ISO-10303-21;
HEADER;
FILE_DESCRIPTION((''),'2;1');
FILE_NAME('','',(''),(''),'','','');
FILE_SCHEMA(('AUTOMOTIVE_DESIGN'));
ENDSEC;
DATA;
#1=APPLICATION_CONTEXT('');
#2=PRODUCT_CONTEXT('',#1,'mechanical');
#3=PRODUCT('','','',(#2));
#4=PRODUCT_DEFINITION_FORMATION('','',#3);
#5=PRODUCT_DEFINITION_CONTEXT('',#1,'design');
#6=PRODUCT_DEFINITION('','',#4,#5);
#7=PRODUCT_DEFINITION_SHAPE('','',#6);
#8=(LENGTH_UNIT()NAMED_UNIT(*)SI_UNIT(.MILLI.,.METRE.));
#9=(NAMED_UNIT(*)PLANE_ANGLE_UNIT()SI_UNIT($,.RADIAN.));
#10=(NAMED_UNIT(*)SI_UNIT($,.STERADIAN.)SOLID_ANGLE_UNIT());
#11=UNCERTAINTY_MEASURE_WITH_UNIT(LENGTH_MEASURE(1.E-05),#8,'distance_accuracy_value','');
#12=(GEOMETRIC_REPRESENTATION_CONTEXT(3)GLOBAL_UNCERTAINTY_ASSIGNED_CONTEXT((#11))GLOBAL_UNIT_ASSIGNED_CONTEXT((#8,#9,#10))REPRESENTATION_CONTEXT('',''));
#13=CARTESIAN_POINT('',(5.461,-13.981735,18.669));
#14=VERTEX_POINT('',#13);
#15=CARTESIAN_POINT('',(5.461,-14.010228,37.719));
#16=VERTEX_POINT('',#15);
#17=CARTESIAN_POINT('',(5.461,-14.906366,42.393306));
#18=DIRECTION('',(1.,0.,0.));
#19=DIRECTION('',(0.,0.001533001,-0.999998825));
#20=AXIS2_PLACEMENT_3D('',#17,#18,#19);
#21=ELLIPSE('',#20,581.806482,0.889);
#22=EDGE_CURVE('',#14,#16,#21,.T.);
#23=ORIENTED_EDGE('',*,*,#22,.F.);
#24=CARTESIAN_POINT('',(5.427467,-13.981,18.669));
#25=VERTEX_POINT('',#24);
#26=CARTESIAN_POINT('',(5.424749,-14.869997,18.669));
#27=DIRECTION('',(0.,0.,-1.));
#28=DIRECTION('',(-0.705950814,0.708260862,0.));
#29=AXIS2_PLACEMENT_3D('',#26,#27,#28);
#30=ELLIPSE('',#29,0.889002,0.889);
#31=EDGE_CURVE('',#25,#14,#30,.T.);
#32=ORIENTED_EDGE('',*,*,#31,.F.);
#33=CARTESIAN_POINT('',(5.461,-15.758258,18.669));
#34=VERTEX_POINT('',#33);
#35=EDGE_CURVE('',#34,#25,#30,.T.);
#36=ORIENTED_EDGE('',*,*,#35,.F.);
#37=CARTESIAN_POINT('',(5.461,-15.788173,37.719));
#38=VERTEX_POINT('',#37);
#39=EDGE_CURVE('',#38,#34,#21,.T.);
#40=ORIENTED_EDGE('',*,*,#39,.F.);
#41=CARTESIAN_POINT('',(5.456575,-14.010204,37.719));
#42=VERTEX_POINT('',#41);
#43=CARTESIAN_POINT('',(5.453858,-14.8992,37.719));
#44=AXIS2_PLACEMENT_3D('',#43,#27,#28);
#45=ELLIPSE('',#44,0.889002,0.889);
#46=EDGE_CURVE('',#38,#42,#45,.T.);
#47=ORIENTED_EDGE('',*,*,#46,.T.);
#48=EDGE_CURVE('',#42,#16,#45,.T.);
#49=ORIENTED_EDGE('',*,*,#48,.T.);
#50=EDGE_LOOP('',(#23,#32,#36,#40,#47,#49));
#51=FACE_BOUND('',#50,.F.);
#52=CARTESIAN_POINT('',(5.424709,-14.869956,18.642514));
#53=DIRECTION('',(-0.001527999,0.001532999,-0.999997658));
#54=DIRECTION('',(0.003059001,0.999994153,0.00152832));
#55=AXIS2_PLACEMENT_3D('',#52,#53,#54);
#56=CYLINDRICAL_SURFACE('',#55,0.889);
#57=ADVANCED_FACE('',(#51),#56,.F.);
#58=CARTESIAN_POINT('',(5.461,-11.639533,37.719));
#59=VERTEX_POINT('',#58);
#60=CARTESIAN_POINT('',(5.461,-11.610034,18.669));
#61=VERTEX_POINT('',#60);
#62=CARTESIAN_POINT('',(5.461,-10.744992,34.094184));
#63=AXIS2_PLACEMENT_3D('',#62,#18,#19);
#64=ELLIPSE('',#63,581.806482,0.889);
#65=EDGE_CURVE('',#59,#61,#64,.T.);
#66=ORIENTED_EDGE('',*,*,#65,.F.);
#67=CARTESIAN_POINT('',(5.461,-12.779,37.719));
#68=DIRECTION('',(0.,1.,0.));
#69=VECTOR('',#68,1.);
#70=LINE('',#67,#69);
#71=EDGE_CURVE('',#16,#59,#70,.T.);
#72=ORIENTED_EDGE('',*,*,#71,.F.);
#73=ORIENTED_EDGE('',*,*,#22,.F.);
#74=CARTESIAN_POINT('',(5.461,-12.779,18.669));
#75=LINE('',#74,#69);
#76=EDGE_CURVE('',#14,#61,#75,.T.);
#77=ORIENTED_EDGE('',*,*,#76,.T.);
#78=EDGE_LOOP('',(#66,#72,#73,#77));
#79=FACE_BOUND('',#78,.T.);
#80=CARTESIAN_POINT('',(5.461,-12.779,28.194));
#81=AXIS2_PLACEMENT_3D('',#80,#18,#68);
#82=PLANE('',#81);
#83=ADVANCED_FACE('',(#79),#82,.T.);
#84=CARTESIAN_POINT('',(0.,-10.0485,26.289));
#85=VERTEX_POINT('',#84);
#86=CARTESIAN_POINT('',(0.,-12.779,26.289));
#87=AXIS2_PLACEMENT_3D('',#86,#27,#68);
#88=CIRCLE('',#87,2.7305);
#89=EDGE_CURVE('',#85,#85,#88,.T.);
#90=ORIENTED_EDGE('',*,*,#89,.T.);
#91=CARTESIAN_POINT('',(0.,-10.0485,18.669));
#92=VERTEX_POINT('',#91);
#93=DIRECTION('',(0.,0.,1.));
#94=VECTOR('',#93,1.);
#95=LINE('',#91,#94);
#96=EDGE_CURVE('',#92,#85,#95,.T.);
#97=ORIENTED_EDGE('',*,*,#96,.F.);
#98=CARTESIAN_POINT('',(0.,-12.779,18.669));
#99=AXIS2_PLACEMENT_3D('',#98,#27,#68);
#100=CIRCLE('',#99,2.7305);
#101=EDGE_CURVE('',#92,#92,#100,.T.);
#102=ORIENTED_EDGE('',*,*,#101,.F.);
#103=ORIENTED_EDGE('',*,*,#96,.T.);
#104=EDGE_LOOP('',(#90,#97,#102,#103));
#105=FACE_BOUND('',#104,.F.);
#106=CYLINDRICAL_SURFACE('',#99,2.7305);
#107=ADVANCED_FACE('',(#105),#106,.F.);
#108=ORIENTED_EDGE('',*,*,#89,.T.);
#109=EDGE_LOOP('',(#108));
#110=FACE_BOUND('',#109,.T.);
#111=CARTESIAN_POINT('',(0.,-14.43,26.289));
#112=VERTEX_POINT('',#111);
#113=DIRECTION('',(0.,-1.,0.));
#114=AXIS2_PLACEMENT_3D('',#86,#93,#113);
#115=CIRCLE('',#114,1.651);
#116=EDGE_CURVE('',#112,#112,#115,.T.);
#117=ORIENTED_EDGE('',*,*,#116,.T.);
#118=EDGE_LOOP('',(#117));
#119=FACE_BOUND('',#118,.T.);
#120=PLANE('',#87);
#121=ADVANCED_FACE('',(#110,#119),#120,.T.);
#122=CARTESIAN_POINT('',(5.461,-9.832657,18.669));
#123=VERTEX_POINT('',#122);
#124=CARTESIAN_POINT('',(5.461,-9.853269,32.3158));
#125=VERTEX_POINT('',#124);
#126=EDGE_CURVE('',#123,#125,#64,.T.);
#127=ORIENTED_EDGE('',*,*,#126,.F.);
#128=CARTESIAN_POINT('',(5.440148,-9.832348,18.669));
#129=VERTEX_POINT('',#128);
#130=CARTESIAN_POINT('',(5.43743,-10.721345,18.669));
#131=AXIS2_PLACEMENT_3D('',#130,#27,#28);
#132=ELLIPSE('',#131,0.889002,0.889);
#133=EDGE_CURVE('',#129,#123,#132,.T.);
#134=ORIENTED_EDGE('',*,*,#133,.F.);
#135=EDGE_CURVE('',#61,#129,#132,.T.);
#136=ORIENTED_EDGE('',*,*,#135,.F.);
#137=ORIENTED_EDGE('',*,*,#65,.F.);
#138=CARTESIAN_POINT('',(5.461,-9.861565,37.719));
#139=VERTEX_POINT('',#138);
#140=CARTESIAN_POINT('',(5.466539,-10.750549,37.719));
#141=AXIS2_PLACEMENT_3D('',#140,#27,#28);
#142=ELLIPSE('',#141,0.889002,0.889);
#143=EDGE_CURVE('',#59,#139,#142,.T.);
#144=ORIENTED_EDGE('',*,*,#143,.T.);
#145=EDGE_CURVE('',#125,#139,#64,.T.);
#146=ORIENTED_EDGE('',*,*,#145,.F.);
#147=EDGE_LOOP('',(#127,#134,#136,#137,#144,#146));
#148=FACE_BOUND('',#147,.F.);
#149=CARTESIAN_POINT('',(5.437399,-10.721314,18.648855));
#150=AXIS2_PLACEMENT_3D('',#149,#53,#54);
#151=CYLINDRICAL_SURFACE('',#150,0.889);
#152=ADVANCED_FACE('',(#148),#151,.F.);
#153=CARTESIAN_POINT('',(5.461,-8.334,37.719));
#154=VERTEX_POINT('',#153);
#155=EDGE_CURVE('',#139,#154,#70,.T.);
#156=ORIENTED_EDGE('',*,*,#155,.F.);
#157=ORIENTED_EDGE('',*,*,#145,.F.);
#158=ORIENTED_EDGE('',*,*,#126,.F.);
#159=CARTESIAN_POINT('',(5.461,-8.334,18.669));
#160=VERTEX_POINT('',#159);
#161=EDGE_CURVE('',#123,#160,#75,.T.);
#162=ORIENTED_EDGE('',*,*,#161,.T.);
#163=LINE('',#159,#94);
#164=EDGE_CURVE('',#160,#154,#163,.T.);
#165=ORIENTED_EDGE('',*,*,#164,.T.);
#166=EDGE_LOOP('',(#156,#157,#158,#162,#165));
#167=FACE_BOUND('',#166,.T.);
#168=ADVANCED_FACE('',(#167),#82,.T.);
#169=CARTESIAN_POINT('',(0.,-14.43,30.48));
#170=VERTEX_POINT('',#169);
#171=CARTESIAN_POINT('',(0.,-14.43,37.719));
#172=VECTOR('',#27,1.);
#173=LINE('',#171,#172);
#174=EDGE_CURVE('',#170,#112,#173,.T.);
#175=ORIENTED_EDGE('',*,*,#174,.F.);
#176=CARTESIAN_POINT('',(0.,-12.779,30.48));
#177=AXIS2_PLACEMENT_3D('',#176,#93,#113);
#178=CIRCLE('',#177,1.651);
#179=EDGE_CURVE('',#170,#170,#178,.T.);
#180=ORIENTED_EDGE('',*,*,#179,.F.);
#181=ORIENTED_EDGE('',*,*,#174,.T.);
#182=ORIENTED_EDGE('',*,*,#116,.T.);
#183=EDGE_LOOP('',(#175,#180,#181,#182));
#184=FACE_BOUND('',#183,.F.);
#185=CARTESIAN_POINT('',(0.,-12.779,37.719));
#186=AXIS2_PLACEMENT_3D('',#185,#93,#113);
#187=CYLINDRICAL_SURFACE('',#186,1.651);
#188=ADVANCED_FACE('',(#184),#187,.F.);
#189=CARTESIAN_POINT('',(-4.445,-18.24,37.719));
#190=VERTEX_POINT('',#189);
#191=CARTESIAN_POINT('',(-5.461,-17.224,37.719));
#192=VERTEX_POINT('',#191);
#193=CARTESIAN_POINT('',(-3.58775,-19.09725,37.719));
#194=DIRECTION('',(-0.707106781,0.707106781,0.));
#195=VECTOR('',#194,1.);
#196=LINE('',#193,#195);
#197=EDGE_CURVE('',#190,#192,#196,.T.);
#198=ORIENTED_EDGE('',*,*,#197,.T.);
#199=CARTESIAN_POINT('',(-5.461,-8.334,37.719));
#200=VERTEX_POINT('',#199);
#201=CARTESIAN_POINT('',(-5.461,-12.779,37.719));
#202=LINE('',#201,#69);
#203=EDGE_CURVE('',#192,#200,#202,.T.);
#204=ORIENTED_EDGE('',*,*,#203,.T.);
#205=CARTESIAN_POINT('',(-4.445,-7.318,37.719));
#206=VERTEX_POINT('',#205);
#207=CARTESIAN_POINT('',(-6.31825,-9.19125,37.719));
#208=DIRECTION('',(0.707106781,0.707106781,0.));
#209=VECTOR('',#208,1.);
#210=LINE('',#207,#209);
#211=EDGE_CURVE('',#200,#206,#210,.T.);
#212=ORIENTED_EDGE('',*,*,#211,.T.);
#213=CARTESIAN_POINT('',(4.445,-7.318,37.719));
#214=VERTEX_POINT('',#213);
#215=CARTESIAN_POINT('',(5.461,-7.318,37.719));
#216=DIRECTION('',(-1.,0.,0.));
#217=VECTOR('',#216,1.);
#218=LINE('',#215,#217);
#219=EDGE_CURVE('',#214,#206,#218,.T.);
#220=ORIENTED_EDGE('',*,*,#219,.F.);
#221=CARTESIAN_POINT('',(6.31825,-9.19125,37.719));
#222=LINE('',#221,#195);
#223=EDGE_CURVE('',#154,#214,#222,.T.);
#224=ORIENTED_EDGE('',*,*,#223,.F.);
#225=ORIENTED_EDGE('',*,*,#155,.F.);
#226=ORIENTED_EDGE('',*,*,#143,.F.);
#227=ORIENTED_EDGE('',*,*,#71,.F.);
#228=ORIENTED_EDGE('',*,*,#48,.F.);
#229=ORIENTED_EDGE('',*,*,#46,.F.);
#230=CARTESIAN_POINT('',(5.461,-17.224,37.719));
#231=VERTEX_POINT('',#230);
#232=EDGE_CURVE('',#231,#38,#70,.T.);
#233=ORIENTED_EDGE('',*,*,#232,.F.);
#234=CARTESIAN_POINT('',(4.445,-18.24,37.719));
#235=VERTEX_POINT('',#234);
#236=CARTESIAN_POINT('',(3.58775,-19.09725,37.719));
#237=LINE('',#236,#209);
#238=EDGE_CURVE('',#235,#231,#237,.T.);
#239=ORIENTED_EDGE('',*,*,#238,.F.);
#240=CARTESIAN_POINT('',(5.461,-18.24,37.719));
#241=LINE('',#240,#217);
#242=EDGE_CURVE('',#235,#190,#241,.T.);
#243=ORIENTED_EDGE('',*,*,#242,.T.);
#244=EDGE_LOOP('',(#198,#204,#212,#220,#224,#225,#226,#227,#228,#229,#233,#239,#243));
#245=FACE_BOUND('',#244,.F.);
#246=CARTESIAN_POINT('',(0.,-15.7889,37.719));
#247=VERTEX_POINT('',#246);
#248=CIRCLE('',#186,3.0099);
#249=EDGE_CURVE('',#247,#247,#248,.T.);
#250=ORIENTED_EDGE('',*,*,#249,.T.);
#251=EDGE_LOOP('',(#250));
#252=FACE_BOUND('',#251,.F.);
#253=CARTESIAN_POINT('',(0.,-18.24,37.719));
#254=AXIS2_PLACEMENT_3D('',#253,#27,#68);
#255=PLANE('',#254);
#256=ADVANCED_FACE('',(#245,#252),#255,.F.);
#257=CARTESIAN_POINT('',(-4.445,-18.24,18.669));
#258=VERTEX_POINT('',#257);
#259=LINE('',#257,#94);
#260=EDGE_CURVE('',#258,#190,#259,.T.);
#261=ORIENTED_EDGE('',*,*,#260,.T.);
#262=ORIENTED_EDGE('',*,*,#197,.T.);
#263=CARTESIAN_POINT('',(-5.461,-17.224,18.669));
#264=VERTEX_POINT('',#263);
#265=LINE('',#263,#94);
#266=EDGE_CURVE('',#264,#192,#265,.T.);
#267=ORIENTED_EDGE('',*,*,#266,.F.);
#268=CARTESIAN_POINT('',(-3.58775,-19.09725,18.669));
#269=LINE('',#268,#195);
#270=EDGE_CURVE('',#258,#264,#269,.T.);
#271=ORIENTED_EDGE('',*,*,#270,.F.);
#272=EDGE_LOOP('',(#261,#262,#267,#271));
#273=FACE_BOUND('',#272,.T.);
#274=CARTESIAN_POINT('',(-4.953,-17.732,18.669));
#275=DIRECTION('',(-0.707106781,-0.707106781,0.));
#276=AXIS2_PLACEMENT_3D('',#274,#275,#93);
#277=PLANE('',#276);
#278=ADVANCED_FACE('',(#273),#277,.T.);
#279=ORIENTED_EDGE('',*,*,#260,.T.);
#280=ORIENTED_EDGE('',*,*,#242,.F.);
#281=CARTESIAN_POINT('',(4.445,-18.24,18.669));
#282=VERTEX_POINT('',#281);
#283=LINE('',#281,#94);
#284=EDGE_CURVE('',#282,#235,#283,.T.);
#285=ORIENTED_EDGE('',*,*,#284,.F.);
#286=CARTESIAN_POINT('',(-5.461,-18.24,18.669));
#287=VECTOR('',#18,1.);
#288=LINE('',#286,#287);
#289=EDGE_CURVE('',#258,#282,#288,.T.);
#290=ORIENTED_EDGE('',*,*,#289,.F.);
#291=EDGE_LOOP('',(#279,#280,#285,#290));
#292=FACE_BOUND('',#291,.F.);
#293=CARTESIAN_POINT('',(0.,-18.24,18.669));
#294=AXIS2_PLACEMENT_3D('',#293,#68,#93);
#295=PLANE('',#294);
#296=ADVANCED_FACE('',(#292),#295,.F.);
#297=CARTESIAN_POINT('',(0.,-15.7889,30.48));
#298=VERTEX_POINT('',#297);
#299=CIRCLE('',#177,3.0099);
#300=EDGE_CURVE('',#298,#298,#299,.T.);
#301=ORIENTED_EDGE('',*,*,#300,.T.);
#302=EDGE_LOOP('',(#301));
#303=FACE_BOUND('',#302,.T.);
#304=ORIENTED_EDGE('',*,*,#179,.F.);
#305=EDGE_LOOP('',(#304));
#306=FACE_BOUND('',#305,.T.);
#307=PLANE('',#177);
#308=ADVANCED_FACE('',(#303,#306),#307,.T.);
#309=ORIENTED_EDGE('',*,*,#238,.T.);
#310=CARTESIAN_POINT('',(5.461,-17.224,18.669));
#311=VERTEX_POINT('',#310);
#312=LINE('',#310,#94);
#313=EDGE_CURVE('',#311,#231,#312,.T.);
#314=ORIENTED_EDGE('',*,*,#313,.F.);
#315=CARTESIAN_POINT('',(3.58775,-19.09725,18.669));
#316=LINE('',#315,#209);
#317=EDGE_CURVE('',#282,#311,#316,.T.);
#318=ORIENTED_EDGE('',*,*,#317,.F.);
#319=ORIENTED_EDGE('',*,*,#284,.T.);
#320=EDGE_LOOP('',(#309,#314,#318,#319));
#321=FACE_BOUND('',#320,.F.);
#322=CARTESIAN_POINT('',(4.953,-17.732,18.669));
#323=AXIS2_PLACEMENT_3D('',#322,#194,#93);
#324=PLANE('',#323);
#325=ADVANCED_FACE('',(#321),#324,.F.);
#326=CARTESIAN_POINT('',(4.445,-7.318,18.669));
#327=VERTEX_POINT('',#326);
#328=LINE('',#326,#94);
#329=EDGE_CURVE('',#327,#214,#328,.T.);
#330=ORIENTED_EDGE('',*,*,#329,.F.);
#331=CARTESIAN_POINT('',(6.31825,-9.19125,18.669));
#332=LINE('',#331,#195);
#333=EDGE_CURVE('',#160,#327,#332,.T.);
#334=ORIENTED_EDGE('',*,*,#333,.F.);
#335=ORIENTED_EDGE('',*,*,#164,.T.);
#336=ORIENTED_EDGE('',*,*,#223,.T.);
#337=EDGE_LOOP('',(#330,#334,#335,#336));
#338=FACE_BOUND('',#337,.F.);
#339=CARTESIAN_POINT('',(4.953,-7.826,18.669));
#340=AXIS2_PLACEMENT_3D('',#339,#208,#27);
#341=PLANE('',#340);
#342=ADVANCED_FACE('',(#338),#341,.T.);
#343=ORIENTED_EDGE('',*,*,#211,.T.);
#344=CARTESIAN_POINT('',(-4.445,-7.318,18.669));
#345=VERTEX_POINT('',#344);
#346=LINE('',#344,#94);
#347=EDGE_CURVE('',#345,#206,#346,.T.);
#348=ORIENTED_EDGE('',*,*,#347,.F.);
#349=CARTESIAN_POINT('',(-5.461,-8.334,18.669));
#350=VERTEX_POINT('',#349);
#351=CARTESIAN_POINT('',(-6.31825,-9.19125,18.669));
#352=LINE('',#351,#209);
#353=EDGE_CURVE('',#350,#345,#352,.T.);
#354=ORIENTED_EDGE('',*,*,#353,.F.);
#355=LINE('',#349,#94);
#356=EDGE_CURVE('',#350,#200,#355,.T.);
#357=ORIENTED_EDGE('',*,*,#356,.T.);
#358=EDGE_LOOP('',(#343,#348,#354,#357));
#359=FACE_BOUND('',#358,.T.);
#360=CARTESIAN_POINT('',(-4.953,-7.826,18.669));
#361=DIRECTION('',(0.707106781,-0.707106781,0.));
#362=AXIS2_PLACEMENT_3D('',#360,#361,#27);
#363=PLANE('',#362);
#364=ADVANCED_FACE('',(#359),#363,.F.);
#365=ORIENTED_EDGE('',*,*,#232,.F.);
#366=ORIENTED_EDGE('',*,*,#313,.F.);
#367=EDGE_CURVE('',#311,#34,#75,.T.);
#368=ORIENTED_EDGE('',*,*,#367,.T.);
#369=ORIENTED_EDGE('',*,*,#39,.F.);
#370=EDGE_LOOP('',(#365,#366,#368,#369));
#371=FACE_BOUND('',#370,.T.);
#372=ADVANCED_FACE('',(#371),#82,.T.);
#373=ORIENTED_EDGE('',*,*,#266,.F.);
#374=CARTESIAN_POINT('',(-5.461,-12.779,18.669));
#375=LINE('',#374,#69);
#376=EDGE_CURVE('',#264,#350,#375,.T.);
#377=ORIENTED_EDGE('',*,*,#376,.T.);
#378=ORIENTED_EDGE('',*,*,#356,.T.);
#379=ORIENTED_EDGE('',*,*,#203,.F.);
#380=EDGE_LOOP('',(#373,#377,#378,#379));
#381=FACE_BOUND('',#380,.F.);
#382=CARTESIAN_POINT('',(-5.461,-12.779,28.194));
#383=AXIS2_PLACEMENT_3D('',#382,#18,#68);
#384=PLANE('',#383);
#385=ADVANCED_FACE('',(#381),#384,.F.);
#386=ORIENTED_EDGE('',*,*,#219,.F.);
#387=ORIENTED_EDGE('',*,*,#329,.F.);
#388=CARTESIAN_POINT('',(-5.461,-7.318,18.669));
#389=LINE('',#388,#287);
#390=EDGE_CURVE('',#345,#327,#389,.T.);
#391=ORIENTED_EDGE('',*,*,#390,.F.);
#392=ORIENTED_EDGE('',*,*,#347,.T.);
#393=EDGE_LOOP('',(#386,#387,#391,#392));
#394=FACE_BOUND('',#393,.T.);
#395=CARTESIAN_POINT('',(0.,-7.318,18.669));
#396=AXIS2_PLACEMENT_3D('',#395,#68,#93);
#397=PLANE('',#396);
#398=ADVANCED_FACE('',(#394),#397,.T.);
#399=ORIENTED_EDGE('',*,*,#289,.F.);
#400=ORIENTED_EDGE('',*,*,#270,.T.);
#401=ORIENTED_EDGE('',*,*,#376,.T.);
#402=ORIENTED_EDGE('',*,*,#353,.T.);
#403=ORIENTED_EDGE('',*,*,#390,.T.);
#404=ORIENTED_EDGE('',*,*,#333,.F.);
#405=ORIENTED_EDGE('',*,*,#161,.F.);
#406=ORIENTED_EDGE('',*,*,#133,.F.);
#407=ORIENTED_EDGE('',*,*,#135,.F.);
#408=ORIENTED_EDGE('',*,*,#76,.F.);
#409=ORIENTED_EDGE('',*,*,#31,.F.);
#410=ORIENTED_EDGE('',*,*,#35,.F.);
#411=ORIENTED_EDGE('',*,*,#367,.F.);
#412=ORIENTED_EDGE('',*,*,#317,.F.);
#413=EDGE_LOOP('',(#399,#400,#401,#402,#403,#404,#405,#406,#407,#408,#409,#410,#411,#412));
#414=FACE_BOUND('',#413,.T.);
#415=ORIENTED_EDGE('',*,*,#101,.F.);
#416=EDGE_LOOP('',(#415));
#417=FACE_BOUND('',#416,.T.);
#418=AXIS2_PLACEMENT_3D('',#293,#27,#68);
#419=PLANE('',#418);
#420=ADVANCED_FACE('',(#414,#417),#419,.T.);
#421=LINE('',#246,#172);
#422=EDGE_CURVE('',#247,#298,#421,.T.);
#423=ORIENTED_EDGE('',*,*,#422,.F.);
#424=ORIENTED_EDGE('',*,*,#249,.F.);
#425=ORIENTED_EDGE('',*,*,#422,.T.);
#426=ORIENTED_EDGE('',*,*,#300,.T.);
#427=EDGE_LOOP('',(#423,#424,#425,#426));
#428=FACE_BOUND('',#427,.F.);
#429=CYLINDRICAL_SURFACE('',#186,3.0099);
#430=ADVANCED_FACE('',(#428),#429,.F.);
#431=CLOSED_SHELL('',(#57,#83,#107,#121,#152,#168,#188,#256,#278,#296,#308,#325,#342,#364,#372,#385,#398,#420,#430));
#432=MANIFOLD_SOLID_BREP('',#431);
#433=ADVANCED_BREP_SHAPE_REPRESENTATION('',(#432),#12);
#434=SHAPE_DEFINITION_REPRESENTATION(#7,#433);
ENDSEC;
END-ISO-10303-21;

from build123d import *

# Parameters (mm, degrees)
SKETCH031_W     = 10.922
SKETCH031_H     = 19.05
PAD002_DEPTH    = 5.461
SKETCH033_R     = 3.0099
POCKET003_DEPTH = 7.239
SKETCH035_R     = 1.651
POCKET004_DEPTH = 19.051
SKETCH036_R     = 2.7305
POCKET005_DEPTH = 7.62
SKETCH039_R     = 0.889
POCKET006_DEPTH = 19.082657
CHAMFER_SIZE    = 1.016


with BuildPart() as part:
    # Sketch031 → Pad002 (new body, symmetric)
    with BuildSketch(Plane.YZ):
        with Locations((-9.779, 28.194)):
            Rectangle(SKETCH031_W, SKETCH031_H)
    extrude(amount=PAD002_DEPTH, both=True)

    # Sketch033 (on Face1 of Pad002) → Pocket003 (cut)
    with BuildSketch(Plane(origin=(0, 0, 37.719), x_dir=(0, -1, 0), z_dir=(0, 0, 1))):
        with Locations((9.779, 0)):
            Circle(SKETCH033_R)
    extrude(amount=-POCKET003_DEPTH, mode=Mode.SUBTRACT)

    # Sketch035 (on Face1 of Pad002) → Pocket004 (cut, through all)
    with BuildSketch(Plane(origin=(0, 0, 37.719), x_dir=(0, -1, 0), z_dir=(0, 0, 1))):
        with Locations((9.779, 0)):
            Circle(SKETCH035_R)
    extrude(amount=-POCKET004_DEPTH, mode=Mode.SUBTRACT)

    # Sketch036 (on Face7 of Pocket004) → Pocket005 (cut)
    with BuildSketch(Plane.YX.offset(-18.669)):
        with Locations((-9.779, 0)):
            Circle(SKETCH036_R)
    extrude(amount=-POCKET005_DEPTH, mode=Mode.SUBTRACT)

    # Sketch039 → Pocket006 (cut, through all)
    with BuildSketch(Plane(origin=(0, 0, 18.669), x_dir=(0.003059, 0.999994, 0.001528), z_dir=(-0.001528, 0.001533, -0.999998))):
        with Locations((-11.853333, 5.461)):
            Circle(SKETCH039_R)
        with Locations((-7.704667, 5.461)):
            Circle(SKETCH039_R)
    extrude(amount=-POCKET006_DEPTH, mode=Mode.SUBTRACT)

    # Chamfer
    chamfer_edges = [part.edges().sort_by_distance(p)[0] for p in [
        (-5.461, -4.318, 28.194),
        (-5.461, -15.24, 28.194),
        (5.461, -15.24, 28.194),
        (5.461, -4.318, 28.194),
    ]]
    chamfer(chamfer_edges, length=CHAMFER_SIZE)


with BuildPart() as part_1:
    # Body001 placement: moved
    add(part.part.moved(Location((0, -3, 0))))


solid = part_1.part
